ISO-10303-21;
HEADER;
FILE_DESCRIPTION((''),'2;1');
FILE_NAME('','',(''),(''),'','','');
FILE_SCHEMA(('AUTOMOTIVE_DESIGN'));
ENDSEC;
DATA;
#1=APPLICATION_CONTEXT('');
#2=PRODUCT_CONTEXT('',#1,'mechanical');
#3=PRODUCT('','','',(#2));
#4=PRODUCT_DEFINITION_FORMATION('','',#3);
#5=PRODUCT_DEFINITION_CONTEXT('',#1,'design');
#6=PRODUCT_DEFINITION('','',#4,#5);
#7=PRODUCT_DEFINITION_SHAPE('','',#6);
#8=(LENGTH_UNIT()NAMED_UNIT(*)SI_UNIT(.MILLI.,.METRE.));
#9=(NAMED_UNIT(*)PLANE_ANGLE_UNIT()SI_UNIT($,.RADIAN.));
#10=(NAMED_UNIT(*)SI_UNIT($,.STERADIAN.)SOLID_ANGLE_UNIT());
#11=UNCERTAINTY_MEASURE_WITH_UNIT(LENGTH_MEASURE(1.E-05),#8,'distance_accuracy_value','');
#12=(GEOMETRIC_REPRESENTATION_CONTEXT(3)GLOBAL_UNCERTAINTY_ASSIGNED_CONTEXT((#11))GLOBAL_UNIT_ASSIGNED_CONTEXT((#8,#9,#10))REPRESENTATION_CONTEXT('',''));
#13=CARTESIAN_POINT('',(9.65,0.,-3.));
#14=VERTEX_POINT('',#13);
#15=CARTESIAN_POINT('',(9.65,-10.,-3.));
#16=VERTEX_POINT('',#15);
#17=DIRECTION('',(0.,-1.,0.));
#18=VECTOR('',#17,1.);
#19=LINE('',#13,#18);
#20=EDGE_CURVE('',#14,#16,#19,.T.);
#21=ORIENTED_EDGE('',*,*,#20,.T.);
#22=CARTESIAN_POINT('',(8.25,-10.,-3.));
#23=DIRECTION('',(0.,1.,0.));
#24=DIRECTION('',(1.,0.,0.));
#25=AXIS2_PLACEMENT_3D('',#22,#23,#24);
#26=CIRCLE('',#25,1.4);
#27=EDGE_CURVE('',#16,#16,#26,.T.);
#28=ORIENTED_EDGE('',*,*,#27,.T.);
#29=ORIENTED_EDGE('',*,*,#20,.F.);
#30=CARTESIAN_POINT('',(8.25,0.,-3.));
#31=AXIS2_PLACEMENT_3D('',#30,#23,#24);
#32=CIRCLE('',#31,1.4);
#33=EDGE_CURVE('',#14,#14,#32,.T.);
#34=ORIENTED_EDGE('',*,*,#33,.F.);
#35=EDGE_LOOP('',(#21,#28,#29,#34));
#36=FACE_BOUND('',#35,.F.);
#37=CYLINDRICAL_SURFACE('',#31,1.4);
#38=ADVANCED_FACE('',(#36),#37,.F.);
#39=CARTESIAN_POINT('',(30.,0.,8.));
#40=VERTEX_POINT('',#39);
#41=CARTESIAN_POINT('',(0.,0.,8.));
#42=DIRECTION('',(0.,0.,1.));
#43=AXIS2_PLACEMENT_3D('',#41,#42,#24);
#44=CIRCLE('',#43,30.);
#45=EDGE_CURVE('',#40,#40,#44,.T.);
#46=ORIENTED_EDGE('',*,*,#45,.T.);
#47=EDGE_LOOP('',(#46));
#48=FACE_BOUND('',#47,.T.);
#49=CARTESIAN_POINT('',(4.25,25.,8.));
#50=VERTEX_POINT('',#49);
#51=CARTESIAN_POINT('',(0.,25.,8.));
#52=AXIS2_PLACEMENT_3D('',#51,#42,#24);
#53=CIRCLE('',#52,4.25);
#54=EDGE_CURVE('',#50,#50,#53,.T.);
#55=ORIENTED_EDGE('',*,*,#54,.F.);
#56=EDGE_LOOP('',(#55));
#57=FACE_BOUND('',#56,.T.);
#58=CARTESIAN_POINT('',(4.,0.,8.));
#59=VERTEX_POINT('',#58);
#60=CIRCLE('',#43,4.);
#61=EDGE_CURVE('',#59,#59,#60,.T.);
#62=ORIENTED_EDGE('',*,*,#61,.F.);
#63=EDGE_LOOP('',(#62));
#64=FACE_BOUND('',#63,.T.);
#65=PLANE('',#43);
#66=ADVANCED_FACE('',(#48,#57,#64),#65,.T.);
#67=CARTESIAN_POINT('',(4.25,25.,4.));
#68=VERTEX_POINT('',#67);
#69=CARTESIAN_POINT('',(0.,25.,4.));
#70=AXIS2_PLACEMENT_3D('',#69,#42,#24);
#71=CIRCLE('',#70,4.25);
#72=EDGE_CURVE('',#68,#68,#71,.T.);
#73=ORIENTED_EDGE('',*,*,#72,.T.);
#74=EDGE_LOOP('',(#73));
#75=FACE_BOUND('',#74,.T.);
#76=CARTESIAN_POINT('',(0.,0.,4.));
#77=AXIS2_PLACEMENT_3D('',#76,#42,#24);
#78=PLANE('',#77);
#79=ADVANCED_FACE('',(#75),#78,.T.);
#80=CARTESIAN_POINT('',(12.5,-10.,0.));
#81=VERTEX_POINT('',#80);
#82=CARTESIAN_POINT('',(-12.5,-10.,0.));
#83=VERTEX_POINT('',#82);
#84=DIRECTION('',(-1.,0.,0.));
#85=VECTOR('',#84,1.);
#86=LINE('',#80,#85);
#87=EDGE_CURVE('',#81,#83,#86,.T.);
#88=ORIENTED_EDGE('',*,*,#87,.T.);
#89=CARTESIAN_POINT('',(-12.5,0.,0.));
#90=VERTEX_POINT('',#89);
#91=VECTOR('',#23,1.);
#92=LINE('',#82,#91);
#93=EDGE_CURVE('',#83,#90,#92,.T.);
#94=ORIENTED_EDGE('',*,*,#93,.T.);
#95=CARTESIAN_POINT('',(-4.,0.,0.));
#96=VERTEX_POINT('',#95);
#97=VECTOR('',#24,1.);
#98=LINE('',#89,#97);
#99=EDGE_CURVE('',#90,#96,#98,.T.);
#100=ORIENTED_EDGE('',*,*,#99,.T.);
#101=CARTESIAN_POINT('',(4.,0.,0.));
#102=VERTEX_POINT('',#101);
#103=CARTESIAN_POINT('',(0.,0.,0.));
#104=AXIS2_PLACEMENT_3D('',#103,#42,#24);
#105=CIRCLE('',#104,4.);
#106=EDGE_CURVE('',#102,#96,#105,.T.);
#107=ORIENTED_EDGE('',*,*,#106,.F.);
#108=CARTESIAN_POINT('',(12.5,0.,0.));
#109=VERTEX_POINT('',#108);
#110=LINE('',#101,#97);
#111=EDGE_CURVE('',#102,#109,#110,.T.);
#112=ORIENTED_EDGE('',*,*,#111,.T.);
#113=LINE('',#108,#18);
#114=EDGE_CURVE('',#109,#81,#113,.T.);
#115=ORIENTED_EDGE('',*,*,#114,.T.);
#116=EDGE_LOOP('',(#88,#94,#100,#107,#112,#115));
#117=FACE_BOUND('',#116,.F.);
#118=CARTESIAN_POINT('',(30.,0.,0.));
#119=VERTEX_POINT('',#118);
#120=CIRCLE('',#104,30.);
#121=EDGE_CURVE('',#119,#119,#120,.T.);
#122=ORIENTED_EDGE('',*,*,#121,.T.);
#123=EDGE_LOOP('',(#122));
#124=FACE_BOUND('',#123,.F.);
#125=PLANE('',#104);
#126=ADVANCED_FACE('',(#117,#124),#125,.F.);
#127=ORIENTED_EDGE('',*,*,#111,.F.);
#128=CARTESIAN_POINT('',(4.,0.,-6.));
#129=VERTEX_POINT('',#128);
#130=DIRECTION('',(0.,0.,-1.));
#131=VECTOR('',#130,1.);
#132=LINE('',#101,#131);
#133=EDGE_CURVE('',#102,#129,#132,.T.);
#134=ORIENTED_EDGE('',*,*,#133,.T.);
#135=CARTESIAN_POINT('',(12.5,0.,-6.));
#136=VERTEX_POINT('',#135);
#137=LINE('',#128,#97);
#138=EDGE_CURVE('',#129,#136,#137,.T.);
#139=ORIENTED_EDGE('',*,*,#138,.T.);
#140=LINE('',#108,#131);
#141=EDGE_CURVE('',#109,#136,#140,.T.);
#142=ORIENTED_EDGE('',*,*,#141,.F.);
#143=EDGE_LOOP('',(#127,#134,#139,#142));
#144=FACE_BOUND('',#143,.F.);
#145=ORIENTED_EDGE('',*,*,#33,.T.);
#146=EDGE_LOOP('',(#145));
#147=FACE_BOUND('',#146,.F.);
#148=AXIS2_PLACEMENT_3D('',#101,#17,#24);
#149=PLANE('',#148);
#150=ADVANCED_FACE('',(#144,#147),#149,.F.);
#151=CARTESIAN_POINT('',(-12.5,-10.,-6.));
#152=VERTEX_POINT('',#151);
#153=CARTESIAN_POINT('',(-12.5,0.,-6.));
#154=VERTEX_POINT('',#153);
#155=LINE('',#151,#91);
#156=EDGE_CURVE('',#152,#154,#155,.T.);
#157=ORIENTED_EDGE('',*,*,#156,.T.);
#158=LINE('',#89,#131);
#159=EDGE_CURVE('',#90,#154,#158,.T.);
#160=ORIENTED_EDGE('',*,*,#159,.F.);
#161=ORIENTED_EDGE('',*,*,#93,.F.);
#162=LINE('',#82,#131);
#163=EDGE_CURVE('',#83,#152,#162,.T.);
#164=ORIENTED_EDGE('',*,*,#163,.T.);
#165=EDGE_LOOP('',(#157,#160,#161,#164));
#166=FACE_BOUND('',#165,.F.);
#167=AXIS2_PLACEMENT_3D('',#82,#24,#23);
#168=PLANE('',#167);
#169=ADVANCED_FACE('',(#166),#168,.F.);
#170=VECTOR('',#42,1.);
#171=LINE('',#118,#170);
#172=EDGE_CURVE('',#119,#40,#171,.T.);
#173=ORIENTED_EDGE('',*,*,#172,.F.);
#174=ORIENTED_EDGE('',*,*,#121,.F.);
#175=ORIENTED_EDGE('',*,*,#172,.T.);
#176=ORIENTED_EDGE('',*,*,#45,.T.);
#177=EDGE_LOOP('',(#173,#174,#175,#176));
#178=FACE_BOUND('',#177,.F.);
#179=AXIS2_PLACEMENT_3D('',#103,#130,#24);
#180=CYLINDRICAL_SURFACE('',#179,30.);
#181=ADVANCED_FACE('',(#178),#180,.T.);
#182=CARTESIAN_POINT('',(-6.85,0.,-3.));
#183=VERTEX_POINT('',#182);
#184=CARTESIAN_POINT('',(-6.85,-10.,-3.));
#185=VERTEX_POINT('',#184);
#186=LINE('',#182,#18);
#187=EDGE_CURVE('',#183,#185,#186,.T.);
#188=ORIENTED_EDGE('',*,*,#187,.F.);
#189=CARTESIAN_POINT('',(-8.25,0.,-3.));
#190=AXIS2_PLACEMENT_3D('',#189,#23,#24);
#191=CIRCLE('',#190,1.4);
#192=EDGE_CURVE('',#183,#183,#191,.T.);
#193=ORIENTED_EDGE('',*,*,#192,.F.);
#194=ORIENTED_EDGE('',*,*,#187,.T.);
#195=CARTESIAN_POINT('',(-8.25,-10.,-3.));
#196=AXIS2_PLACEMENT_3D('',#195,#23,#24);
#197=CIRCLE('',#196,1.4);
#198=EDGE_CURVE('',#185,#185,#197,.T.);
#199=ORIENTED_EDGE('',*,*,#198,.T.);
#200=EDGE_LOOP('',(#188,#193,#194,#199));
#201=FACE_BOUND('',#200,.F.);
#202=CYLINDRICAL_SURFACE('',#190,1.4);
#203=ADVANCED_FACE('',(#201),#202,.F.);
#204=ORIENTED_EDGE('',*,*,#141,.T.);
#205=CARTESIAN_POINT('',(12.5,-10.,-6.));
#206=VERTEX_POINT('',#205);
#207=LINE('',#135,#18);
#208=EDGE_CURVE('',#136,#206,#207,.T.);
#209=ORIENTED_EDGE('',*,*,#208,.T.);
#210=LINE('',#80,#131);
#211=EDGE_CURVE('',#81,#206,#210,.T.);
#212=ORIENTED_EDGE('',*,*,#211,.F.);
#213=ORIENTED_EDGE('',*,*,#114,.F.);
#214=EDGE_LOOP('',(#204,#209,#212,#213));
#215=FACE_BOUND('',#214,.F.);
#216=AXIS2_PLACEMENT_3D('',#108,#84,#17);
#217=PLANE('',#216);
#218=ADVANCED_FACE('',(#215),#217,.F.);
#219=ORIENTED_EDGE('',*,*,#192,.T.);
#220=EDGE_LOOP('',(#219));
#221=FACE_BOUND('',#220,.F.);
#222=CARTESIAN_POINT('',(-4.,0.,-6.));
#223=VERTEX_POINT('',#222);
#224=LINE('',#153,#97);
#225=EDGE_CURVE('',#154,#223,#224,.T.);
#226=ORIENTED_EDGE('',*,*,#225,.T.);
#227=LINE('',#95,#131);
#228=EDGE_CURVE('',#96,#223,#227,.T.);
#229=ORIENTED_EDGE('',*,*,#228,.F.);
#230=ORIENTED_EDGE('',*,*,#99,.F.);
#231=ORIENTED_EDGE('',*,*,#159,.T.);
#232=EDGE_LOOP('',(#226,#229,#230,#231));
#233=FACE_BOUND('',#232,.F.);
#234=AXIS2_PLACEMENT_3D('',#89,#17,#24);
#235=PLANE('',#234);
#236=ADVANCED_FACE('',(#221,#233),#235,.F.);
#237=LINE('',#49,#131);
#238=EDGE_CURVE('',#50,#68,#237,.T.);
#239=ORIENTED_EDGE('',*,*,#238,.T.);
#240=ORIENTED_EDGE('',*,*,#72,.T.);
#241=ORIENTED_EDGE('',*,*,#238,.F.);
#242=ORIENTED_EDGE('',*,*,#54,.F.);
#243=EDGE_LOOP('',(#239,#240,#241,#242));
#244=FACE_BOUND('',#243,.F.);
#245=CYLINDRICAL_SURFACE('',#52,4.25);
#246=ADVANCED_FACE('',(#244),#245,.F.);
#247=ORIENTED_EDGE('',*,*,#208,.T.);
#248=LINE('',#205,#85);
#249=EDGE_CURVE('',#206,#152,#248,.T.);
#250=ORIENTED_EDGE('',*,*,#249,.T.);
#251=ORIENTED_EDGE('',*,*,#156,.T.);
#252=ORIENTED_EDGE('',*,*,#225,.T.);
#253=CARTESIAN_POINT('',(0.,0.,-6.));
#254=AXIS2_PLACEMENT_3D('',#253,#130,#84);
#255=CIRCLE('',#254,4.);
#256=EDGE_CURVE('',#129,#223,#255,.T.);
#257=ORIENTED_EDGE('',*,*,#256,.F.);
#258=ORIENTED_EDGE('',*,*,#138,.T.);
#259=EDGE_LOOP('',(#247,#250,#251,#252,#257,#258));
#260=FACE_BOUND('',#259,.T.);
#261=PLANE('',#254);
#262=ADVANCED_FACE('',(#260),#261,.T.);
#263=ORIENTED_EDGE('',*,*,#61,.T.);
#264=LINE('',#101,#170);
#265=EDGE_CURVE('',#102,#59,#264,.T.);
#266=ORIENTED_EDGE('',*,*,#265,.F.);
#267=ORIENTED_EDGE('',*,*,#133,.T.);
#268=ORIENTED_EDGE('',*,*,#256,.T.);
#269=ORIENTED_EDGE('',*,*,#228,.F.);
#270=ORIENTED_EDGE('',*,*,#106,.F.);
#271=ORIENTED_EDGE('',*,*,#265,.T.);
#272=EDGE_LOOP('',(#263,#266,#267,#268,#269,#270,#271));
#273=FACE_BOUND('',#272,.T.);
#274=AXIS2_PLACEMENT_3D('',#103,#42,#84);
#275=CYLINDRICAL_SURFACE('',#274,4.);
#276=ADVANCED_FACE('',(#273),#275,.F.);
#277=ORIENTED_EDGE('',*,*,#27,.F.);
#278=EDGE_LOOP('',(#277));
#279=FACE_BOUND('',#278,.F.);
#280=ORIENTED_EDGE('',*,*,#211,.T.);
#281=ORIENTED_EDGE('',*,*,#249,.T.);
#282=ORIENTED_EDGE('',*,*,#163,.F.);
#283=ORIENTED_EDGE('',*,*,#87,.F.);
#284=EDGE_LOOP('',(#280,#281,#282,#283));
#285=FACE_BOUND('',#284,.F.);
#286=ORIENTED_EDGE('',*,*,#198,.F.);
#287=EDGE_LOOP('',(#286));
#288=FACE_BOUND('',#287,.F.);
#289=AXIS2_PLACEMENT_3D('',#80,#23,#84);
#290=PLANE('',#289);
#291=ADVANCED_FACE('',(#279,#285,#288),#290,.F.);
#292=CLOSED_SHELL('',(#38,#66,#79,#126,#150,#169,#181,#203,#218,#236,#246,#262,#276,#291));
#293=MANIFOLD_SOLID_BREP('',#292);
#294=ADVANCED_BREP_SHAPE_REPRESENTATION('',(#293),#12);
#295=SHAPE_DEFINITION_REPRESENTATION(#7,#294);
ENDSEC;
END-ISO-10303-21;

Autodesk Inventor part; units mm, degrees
ref_plane "YZ Plane" through (0, 0, 0) normal (1, 0, 0) x (0, 1, 0)
ref_plane "XZ Plane" through (0, 0, 0) normal (0, 1, 0) x (-1, 0, 0)
ref_plane "XY Plane" through (0, 0, 0) normal (0, 0, 1) x (1, 0, 0)
sketch "Sketch1" plane through (0, 0, 0) normal (0, 0, 1) x (1, 0, 0)
  circle A0 centre (0, 0) radius 30
  circle A1 centre (0, 0) radius 4
  dimension "d0" = 60
  dimension "d1" = 8
extrude "Extrusion1" add sketch "Sketch1" along normal blind 8
sketch "Sketch2" plane through (0, 0, 8) normal (0, 0, 1) x (1, 0, 0)
  circle A0 centre (0, 0) radius 30 projected
  line L0 (0, 0) -> (0, 25) construction
  circle A1 centre (0, 25) radius 4.25
  dimension "d4" = 8.5
  dimension "d5" = 25
extrude "Extrusion2" cut sketch "Sketch2" against normal blind 4 contours A1
sketch "Sketch3" plane through (0, 0, 0) normal (0, 0, -1) x (-1, 0, 0)
  circle A0 centre (0, 0) radius 4 projected
  line L0 (-4, 0) -> (-12.5, 0)
  line L1 (-12.5, 0) -> (-12.5, -10)
  line L2 (-12.5, -10) -> (12.5, -10)
  line L3 (12.5, -10) -> (12.5, 0)
  line L4 (12.5, 0) -> (4, 0)
  dimension "d8" = 10
  dimension "d9" = 25
extrude "Extrusion3" add sketch "Sketch3" along normal blind 6 contours L4 L3 L2 L1 L0 A0
sketch "Sketch4" plane through (4, 0, 0) normal (0, 1, 0) x (1, 0, 0)
  line L0 (8.5, 0) -> (0, 0) projected
  line L1 (0, 6) -> (8.5, 6) projected
  line L2 (-8, 0) -> (-16.5, 0) projected
  line L3 (-8, 0) -> (-8, 6) projected
  line L4 (-16.5, 6) -> (-8, 6) projected
  line L5 (-16.5, 0) -> (-16.5, 6) projected
  line L6 (-12.25, 6) -> (-12.25, 0) construction
  line L7 (4.25, 6) -> (4.25, 0) construction
  circle A0 centre (-12.25, 3) radius 1.4
  circle A1 centre (4.25, 3) radius 1.4
  point P0 (-4, 0)
  dimension "d12" = 2.8
extrude "Extrusion4" cut sketch "Sketch4" against normal through all contours A0 | A1
properties part number "sensor wheel"
